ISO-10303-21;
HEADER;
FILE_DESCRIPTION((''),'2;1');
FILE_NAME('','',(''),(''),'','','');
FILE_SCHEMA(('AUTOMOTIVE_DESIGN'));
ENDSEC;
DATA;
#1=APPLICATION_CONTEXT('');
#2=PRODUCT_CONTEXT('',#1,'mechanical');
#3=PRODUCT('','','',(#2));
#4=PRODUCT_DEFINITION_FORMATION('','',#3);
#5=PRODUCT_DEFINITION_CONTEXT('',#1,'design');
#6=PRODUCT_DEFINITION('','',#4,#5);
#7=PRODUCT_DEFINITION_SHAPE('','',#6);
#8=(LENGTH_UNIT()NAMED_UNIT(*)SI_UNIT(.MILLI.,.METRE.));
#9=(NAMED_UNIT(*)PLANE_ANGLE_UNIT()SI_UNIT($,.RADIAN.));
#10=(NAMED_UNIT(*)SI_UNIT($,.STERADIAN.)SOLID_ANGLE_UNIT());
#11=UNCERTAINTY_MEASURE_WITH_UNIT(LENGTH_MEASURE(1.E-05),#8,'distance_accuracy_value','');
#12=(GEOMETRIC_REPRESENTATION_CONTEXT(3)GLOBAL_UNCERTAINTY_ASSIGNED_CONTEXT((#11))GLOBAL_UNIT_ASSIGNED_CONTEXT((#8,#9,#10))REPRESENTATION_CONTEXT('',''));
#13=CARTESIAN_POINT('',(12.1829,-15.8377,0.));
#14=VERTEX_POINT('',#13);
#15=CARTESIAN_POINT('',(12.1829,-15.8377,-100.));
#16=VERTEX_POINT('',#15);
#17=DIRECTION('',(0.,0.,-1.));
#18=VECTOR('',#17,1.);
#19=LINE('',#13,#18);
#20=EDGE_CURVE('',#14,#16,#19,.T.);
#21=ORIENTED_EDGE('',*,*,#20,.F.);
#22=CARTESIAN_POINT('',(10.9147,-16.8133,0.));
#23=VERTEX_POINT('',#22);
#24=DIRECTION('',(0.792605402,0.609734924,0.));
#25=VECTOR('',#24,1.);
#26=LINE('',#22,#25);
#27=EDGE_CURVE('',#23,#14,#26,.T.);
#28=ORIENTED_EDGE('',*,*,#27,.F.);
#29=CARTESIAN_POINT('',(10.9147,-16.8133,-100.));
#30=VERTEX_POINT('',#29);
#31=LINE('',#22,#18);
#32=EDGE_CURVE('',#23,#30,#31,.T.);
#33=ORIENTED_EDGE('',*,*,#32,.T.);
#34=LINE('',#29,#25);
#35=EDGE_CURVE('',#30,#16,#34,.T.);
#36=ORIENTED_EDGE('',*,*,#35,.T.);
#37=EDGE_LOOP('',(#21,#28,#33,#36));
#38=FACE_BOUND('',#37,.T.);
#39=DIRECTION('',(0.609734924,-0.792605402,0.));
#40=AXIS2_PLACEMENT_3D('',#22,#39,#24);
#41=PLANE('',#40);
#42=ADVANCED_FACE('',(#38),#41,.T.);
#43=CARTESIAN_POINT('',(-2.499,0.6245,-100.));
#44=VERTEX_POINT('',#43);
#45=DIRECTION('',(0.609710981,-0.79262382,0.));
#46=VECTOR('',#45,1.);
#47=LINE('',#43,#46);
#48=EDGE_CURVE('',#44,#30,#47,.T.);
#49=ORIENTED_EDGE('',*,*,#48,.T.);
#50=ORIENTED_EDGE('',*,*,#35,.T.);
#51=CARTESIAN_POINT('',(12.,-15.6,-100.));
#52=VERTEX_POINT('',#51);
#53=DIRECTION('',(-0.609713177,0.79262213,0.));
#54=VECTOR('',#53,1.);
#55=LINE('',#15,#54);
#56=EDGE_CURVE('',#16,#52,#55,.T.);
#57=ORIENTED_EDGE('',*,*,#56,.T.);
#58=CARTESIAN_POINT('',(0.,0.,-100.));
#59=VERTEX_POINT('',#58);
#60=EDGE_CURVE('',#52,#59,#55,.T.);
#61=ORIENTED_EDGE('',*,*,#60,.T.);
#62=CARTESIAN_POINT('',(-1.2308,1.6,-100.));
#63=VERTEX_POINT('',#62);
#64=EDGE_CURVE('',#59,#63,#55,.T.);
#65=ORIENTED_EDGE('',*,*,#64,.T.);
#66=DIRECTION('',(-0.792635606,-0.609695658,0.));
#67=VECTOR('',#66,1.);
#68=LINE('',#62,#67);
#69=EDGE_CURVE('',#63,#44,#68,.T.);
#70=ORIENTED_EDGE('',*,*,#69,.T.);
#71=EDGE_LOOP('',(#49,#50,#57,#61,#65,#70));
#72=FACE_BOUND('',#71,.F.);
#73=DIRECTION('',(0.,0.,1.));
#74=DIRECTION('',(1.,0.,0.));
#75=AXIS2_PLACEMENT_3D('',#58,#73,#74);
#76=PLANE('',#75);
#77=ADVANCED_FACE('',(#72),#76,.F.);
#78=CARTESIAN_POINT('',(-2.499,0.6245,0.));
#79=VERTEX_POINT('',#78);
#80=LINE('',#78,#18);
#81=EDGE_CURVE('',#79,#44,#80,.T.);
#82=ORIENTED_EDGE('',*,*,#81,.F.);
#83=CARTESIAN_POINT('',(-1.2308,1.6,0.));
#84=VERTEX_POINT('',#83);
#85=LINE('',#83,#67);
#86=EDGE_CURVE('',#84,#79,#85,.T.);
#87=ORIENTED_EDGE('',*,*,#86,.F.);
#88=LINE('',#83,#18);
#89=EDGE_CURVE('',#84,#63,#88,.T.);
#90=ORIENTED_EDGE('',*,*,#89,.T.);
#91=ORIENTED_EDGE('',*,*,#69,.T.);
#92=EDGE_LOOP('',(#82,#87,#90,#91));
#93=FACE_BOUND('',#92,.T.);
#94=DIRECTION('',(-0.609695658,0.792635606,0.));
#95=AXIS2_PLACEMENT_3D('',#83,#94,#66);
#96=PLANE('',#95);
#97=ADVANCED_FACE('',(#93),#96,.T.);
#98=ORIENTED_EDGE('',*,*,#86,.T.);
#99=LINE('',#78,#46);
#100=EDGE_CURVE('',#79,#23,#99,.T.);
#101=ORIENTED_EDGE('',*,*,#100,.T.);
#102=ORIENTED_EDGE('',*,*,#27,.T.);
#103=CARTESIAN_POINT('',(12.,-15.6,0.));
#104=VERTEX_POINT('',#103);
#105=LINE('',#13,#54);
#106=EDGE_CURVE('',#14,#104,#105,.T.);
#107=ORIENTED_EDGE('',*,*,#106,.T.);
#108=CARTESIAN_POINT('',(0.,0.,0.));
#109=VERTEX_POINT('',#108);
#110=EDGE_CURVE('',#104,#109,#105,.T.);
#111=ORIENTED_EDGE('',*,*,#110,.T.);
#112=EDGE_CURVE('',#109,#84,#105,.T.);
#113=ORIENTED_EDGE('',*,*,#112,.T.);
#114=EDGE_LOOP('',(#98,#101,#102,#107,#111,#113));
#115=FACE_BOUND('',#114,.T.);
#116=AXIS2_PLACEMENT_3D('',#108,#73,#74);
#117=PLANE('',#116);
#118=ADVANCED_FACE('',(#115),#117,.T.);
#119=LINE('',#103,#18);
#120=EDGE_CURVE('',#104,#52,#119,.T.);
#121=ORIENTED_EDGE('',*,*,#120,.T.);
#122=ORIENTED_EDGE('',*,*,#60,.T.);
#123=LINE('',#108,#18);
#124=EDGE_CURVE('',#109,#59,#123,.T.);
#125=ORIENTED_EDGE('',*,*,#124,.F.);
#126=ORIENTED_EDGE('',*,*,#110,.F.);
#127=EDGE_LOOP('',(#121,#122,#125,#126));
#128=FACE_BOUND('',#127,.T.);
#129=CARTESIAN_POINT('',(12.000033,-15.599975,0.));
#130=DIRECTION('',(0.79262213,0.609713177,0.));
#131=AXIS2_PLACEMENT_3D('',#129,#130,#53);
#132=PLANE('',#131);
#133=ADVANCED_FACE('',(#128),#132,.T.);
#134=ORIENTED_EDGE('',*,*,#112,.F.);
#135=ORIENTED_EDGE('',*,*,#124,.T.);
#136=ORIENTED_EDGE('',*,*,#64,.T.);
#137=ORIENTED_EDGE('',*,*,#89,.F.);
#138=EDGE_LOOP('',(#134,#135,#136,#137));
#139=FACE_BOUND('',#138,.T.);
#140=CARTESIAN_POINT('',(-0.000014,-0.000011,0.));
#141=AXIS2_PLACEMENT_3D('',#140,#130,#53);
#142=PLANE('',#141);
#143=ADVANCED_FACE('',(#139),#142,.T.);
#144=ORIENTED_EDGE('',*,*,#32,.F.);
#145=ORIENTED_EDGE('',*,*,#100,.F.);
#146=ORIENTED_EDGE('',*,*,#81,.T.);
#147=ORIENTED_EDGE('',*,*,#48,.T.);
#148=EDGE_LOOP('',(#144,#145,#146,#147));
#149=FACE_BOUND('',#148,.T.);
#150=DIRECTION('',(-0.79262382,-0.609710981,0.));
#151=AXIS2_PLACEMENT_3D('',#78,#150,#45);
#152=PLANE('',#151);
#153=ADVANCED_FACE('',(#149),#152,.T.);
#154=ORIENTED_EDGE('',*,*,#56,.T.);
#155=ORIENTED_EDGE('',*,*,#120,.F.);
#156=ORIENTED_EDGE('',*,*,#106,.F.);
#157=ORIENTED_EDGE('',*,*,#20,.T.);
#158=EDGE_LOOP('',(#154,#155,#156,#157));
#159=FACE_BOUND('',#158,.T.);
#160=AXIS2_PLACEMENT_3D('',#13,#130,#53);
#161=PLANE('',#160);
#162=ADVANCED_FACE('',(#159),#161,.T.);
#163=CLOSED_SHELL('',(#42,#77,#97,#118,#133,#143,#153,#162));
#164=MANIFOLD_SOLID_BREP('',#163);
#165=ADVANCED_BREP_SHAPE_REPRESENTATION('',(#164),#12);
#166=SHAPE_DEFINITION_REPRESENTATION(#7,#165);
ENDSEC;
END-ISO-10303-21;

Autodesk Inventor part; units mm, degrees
ref_plane "YZ Plane" through (0, 0, 0) normal (1, 0, 0) x (0, 1, 0)
ref_plane "XZ Plane" through (0, 0, 0) normal (0, 1, 0) x (-1, 0, 0)
sketch "Sketch2" plane through (0, 0, 0) normal (0, 0, 1) x (1, 0, 0)
  line L0 (12.1829, -15.8377) -> (-1.2308, 1.6)
  line L1 (-1.2308, 1.6) -> (-2.499, 0.6245)
  line L2 (-2.499, 0.6245) -> (10.9147, -16.8133)
  line L3 (10.9147, -16.8133) -> (12.1829, -15.8377)
  line L4 (12, -15.6) -> (100, -15.6) projected
  line L5 (100, -15.6) -> (100, -14) projected
  line L6 (12, -14) -> (100, -14) projected
  line L7 (12, -15.6) -> (12, -14) projected
  line L8 (0, 0) -> (100, 0) projected
  line L9 (100, 0) -> (100, 1.6) projected
  line L10 (0, 1.6) -> (100, 1.6) projected
  line L11 (0, 0) -> (0, 1.6) projected
  dimension "d0" = 1.6
  dimension "d1" = 22
ref_plane "Work Plane1" through (15, -19.5, -83) normal (0, 0, -1) x (0, 1, 0)
extrude "Extrusion1" add sketch "Sketch2" against normal blind 100 contours L3 L2 L1 L0
